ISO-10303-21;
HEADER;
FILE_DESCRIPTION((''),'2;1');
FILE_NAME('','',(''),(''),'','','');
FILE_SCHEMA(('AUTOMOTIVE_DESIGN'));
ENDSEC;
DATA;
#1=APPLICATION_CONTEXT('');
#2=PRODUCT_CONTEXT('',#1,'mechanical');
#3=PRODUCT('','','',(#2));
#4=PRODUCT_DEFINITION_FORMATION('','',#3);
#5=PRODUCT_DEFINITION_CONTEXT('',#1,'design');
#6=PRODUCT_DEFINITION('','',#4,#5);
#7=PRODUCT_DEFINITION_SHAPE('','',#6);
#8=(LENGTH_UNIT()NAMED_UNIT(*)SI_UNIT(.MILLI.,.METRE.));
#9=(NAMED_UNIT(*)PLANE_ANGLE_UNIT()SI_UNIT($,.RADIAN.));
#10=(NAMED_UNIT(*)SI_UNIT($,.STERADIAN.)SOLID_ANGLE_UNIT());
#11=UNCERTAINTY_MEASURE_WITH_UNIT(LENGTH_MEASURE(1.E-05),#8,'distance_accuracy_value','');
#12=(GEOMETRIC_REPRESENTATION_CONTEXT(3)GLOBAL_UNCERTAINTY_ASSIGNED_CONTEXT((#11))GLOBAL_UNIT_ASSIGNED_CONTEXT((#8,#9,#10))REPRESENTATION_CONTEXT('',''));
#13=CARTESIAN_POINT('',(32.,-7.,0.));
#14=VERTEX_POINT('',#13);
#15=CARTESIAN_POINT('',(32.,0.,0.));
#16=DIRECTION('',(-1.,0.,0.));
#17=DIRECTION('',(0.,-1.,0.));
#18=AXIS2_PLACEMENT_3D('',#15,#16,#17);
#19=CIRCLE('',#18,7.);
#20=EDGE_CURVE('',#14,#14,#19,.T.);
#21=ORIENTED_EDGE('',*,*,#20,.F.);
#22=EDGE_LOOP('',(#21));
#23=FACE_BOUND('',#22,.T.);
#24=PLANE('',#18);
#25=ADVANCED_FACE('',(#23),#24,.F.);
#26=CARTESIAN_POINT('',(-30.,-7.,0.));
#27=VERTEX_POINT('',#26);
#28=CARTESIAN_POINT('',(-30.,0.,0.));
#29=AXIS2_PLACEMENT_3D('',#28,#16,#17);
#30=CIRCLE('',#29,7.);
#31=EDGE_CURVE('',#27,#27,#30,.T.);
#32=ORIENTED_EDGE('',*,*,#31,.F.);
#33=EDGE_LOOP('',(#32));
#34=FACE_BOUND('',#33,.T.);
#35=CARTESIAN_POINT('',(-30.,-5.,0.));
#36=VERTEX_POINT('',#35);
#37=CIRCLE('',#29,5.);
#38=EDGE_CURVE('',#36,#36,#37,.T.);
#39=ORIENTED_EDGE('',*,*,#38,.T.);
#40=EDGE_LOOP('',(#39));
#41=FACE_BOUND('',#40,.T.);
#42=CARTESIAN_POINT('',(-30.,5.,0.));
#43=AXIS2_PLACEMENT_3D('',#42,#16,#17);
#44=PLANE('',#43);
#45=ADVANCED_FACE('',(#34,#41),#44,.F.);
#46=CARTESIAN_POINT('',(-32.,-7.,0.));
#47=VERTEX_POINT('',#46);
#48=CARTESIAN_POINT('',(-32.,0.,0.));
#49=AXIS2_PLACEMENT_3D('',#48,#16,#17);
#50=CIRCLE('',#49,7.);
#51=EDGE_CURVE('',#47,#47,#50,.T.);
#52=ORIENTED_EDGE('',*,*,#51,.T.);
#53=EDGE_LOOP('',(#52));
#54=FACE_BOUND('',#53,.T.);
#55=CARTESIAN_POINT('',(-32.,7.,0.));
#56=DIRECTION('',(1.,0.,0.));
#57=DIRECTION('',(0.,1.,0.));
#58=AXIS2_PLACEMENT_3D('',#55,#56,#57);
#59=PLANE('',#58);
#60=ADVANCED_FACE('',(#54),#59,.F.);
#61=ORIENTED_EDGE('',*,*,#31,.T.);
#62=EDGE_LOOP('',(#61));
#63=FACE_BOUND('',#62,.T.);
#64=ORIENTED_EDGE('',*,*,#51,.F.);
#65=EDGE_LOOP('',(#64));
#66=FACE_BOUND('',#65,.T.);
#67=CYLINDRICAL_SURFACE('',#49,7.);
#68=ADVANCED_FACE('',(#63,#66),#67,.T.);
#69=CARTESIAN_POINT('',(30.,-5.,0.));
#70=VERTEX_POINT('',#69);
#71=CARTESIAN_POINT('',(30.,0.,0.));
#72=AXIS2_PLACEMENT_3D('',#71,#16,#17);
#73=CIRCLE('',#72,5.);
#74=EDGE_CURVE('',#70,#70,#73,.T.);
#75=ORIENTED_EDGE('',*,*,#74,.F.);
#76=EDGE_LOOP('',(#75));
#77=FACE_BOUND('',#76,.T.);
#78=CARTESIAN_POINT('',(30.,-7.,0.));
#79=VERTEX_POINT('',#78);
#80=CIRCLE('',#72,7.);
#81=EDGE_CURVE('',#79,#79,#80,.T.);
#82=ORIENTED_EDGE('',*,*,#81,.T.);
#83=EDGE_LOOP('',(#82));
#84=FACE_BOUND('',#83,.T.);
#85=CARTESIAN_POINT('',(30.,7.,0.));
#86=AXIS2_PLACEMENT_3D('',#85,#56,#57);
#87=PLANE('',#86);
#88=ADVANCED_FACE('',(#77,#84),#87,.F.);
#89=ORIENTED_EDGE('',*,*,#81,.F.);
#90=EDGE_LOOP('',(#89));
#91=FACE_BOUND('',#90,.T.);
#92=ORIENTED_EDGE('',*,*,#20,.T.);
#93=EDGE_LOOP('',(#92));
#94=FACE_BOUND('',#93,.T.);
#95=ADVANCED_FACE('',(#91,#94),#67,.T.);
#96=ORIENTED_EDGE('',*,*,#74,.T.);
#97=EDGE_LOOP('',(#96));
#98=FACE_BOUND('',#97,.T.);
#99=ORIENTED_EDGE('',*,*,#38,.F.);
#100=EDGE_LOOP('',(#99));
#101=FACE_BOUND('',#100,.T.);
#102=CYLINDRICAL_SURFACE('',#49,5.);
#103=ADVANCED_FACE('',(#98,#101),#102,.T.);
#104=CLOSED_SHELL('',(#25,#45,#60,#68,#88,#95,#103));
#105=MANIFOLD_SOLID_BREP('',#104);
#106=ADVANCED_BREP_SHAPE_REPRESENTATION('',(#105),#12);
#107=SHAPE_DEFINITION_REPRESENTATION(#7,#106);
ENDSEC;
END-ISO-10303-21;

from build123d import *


with BuildPart() as part:
    # Sketch1 → Revolve1 (revolve)
    with BuildSketch(Plane.XY, mode=Mode.PRIVATE) as revolve1_sk:
        Polygon((-30, 5), (30, 5), (30, 7), (32, 7), (32, 0), (-32, 0), (-32, 7), (-30, 7), align=None)
    revolve(revolve1_sk.sketch.rotate(Axis((-32, 0, 0), (1, 0, 0)), 180), axis=Axis((-32, 0, 0), (1, 0, 0)))


solid = part.part
